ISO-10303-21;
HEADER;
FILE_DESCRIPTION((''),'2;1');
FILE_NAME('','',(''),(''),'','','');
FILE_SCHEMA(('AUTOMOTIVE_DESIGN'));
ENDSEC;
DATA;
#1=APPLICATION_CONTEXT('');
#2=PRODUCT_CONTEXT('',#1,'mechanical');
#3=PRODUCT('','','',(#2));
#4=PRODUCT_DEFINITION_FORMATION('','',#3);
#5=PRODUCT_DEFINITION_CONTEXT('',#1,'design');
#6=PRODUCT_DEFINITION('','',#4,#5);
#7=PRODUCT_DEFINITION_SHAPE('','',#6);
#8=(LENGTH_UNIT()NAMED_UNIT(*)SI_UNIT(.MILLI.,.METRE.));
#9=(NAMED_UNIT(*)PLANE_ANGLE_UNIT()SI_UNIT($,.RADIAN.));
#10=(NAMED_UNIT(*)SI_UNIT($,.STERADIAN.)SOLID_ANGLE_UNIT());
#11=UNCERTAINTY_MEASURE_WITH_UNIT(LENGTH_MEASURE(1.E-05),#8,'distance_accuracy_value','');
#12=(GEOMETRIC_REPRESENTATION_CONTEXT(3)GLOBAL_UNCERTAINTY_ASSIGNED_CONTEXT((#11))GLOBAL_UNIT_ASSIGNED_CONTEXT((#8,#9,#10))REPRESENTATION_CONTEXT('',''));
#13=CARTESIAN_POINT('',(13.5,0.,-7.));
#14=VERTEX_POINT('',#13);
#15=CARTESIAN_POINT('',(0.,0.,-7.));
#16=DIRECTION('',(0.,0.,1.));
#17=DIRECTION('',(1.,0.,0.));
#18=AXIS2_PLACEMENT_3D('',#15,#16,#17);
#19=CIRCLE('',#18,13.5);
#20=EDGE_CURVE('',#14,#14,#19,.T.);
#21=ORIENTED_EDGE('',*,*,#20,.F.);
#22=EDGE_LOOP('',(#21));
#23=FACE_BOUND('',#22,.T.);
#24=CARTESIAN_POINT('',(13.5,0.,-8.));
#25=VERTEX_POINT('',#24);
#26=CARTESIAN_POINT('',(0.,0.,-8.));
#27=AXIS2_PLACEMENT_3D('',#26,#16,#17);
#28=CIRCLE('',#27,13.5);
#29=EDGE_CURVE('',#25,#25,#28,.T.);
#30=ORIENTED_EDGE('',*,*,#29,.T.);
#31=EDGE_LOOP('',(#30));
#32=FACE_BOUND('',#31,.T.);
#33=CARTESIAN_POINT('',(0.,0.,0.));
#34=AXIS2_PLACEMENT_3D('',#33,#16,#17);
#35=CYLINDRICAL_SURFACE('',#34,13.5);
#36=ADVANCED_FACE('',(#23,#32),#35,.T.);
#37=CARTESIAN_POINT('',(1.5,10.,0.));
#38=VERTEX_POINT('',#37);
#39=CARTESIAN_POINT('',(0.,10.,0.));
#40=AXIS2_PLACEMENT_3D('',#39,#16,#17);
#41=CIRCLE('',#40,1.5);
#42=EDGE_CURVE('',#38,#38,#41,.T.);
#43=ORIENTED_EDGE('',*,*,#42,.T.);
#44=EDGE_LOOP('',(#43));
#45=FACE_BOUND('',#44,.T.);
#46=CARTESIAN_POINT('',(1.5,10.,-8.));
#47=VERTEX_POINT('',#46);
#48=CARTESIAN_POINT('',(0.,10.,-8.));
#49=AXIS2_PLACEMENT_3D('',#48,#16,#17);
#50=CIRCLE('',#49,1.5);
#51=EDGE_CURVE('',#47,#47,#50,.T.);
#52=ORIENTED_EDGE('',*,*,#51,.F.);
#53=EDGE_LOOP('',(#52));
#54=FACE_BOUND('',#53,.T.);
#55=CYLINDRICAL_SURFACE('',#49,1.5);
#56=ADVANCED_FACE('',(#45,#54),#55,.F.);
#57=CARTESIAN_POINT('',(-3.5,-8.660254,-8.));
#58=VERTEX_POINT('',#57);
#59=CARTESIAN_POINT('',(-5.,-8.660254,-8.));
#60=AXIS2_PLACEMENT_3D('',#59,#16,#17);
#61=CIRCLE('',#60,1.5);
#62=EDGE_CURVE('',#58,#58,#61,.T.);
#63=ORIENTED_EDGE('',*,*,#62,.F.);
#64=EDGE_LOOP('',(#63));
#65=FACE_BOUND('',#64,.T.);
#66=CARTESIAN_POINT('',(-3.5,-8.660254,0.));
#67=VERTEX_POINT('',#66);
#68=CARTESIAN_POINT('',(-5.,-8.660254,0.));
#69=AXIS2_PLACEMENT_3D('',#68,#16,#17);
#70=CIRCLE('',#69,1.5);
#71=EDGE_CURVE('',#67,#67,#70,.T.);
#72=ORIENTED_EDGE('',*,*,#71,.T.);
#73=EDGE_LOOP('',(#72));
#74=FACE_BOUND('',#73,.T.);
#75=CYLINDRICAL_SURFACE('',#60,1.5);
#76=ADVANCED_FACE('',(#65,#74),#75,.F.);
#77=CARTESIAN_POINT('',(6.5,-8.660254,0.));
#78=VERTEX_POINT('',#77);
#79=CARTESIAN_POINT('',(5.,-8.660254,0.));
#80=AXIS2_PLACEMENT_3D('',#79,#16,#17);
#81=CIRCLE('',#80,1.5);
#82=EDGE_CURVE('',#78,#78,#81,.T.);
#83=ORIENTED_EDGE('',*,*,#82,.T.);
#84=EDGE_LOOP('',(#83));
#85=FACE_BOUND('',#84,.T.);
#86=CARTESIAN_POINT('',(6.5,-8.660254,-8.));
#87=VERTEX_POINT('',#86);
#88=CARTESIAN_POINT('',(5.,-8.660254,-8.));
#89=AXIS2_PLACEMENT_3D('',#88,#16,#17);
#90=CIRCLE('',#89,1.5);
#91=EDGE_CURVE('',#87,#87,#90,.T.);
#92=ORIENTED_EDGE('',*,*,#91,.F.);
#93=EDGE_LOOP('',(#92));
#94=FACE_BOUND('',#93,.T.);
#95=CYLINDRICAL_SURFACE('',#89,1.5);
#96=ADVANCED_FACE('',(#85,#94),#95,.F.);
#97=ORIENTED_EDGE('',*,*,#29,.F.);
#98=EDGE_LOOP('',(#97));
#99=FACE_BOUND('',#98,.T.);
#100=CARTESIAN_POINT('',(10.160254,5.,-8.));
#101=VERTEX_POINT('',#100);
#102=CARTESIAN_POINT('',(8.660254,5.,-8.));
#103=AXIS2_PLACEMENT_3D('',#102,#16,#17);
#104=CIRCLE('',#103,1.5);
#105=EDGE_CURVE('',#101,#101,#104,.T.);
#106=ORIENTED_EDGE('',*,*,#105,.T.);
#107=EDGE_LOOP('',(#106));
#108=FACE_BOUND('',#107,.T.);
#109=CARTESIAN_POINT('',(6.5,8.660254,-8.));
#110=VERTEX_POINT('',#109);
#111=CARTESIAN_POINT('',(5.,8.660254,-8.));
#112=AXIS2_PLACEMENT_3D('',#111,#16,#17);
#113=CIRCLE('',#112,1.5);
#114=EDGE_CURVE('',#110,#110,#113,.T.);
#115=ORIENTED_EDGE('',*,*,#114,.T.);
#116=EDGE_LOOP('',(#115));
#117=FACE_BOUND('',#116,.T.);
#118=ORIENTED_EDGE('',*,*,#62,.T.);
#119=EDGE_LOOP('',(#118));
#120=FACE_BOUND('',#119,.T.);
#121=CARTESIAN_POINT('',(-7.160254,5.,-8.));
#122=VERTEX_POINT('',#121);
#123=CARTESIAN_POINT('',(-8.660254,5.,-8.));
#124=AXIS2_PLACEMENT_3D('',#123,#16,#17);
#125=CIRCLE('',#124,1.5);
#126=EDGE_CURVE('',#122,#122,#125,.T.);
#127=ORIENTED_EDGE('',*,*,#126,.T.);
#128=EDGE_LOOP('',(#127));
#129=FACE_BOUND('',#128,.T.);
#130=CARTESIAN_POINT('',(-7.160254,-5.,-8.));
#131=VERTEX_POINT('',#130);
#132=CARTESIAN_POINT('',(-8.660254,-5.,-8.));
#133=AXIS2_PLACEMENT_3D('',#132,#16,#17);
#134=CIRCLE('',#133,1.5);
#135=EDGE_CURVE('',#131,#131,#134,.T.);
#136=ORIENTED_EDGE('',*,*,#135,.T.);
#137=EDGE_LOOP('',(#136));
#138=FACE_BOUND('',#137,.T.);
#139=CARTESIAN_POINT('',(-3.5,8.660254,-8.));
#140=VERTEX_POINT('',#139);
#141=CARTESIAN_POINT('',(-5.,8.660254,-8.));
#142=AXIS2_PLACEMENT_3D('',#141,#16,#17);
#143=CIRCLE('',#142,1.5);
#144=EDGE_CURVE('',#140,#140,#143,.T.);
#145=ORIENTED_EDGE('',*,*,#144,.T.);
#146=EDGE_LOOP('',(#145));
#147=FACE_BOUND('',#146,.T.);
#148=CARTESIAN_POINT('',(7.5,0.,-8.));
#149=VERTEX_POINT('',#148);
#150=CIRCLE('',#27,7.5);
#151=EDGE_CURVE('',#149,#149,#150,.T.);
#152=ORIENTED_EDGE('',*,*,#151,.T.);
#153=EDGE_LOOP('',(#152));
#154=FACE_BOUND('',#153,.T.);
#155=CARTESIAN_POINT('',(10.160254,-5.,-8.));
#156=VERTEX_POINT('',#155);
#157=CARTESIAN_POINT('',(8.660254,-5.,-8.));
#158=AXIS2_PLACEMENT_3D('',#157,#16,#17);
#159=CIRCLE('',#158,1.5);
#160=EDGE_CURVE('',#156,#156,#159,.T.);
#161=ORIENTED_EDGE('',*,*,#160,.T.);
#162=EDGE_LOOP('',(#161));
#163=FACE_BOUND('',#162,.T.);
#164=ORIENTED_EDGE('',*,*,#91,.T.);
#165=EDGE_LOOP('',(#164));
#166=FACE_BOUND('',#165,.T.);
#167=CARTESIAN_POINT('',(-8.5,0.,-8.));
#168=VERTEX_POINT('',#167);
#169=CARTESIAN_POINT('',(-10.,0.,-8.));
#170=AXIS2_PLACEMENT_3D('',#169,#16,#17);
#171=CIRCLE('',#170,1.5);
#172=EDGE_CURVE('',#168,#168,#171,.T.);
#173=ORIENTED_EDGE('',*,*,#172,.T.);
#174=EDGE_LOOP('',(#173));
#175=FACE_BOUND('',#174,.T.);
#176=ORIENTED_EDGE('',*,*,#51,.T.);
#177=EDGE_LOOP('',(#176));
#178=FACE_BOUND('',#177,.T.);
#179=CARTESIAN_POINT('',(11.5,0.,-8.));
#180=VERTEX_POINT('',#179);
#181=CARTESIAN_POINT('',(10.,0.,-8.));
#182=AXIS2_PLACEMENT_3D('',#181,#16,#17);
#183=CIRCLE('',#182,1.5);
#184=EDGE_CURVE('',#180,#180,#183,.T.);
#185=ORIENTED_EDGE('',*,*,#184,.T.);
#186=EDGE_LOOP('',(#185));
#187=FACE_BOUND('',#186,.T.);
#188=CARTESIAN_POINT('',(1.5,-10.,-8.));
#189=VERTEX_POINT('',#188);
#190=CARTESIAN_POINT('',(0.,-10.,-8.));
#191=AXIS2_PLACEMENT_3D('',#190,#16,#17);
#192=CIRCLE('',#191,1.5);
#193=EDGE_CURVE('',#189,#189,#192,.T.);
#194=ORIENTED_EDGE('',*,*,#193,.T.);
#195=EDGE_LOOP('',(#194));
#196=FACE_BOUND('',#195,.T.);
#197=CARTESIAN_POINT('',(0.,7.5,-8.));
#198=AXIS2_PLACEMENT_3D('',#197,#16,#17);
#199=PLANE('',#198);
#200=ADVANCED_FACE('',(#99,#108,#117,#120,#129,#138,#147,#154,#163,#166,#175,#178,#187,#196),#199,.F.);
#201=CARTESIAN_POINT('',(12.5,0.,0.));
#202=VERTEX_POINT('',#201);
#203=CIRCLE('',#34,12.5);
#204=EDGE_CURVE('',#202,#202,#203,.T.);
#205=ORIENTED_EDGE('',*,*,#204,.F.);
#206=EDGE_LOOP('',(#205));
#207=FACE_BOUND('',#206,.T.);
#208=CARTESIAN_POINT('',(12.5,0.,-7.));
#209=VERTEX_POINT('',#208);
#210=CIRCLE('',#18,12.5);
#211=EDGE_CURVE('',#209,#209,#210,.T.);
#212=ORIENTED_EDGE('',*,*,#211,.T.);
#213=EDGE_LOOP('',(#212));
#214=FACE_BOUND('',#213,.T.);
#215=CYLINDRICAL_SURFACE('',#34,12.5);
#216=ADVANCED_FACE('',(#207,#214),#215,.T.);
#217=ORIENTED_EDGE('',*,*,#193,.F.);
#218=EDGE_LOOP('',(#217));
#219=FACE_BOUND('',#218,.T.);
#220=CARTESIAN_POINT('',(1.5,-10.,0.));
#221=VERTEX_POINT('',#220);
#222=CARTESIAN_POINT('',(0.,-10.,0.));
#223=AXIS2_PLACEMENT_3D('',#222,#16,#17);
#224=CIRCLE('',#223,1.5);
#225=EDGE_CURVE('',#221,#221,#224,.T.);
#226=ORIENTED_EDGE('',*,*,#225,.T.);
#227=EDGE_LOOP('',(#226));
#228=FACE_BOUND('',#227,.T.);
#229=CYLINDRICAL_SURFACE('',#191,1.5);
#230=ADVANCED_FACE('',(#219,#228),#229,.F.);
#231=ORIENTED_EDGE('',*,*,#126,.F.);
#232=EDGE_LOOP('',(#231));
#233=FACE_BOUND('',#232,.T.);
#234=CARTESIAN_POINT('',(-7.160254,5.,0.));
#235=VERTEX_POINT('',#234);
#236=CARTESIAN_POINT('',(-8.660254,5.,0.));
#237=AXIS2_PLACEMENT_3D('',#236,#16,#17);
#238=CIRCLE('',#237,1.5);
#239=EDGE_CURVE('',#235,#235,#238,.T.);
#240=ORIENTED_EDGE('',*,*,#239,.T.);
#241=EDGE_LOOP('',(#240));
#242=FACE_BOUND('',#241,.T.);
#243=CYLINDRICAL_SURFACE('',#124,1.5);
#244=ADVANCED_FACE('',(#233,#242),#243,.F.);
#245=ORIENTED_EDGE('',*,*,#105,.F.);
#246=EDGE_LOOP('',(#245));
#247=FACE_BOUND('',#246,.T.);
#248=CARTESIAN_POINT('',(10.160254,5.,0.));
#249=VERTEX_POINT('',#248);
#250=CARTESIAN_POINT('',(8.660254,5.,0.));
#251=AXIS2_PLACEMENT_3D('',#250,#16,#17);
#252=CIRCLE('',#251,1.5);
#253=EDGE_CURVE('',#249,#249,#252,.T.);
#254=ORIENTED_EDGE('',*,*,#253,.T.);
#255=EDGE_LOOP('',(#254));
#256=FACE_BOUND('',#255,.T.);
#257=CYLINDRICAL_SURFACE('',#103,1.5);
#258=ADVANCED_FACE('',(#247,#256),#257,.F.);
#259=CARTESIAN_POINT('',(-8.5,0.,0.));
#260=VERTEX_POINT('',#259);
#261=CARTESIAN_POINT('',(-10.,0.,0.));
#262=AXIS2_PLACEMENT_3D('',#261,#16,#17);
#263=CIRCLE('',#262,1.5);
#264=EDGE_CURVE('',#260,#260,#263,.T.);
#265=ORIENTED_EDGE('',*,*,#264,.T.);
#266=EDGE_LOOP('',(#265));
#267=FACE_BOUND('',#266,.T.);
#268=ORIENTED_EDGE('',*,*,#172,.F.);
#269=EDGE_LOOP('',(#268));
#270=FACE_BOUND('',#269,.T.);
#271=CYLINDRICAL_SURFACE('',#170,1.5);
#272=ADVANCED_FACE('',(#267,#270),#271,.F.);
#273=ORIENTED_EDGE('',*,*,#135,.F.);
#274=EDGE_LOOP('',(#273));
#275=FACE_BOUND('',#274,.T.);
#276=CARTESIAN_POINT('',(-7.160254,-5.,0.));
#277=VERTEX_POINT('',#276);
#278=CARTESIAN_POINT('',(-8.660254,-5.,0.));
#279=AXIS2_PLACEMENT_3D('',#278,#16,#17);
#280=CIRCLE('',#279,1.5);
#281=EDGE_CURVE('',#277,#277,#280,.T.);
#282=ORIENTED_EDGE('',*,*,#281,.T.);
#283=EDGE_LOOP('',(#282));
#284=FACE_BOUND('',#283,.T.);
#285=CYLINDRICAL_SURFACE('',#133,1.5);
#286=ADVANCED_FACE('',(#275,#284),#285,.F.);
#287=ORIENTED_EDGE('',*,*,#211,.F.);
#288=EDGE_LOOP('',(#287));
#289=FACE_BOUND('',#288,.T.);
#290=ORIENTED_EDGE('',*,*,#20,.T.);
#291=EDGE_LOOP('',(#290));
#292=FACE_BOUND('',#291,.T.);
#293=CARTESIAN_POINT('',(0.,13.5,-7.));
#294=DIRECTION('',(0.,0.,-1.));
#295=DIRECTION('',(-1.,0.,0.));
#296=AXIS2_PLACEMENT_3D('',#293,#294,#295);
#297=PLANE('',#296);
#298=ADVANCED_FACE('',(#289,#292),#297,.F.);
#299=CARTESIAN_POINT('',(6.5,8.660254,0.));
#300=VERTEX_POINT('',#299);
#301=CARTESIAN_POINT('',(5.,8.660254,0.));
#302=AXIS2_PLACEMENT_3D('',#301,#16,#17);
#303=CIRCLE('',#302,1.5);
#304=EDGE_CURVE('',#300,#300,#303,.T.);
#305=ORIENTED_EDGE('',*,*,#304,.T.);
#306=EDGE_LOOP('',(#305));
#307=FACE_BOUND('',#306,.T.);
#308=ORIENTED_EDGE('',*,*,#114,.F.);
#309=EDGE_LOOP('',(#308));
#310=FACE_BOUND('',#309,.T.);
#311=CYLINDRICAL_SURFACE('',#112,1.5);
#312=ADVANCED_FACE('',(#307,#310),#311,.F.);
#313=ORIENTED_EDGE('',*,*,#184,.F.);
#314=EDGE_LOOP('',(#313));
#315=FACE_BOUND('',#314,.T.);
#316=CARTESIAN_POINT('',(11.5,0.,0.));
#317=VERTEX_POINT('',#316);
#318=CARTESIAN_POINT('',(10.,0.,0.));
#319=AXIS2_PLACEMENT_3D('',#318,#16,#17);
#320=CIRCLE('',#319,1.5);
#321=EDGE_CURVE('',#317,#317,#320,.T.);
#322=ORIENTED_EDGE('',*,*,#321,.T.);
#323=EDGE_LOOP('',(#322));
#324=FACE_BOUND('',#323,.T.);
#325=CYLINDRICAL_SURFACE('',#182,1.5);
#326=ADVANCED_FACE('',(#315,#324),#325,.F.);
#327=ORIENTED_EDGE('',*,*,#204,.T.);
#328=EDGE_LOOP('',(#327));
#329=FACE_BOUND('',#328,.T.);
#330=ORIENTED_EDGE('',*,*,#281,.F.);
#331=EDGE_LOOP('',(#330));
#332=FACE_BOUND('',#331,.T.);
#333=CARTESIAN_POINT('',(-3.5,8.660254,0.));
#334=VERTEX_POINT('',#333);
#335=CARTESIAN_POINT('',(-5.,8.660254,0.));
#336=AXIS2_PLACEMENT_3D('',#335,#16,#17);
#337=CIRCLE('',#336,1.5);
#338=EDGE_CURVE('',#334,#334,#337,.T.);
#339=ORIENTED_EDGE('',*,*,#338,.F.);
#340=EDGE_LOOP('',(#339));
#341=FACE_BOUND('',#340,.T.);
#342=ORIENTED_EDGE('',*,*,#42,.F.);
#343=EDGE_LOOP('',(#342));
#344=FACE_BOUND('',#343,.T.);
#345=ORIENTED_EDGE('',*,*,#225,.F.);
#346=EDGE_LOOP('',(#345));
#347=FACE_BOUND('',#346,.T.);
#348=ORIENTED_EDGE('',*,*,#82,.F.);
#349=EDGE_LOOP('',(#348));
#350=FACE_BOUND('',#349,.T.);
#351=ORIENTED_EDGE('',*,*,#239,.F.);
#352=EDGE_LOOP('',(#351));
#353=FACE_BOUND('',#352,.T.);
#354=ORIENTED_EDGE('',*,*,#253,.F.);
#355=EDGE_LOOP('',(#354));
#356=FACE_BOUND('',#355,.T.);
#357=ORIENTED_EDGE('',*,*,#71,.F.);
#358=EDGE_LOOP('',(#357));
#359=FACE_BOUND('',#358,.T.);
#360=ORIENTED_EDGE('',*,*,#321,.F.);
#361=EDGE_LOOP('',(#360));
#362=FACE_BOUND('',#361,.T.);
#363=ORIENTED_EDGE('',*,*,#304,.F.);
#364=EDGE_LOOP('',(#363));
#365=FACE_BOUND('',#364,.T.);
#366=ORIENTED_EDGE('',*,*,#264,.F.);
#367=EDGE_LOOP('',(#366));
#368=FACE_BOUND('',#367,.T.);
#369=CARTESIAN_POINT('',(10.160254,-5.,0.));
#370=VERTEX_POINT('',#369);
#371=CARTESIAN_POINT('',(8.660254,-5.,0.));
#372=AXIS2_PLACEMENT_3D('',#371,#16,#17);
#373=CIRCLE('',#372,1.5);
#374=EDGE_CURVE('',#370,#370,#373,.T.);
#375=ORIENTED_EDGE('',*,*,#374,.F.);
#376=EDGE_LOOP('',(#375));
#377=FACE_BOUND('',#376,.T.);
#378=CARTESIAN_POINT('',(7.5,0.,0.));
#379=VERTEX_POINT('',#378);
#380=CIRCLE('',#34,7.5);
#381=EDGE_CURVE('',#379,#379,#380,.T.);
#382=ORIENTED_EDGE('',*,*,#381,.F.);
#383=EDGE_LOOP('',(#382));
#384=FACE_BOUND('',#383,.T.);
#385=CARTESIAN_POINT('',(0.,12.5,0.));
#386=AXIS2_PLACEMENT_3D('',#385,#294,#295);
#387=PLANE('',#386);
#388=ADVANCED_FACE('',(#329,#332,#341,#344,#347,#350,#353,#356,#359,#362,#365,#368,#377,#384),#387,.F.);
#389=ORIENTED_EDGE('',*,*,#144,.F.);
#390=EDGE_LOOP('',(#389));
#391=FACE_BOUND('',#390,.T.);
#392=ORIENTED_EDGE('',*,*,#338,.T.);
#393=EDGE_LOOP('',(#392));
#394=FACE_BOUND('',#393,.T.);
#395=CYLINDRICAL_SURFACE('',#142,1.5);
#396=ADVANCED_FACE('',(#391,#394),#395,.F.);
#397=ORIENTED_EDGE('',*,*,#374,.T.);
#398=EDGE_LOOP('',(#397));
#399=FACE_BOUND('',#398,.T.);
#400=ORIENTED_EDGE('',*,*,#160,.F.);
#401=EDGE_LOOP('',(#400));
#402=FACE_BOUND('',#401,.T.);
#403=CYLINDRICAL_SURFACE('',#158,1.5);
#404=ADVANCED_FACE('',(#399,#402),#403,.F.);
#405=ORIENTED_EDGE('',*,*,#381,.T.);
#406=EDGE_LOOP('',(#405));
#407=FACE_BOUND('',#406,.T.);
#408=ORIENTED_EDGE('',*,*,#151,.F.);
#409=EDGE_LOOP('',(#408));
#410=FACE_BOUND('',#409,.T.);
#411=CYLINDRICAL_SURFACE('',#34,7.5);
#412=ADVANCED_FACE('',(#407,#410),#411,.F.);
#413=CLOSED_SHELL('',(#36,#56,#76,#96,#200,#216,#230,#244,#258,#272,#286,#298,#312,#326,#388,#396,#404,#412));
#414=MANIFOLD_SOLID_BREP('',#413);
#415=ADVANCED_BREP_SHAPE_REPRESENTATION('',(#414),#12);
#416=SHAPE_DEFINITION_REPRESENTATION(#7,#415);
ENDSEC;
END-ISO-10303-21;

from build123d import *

# Parameters (mm, degrees)
SKETCH_2_R          = 1.5
CUT_EXTRUDE_1_DEPTH = 21.700241544


with BuildPart() as part:
    # ｽｹｯﾁ1 → 回転1 (revolve)
    with BuildSketch(Plane(origin=(0, 0, 0), x_dir=(0, 0, -1), z_dir=(1, 0, 0)), mode=Mode.PRIVATE) as revolve_1_sk:
        Polygon((0, 7.5), (8, 7.5), (8, 13.5), (7, 13.5), (7, 12.5), (0, 12.5), align=None)
    revolve(revolve_1_sk.sketch.rotate(Axis((0, 0, 0), (0, 0, -1)), 90), axis=Axis((0, 0, 0), (0, 0, -1)))

    # ｽｹｯﾁ2 → ｶｯﾄ - 押し出し1 (cut, through all)
    with BuildSketch(Plane.XY):
        with Locations((0, 10)):
            Circle(SKETCH_2_R)
        with Locations((5, 8.660254038)):
            Circle(SKETCH_2_R)
        with Locations((8.660254038, 5)):
            Circle(SKETCH_2_R)
        with Locations((10, 0)):
            Circle(SKETCH_2_R)
        with Locations((8.660254038, -5)):
            Circle(SKETCH_2_R)
        with Locations((5, -8.660254038)):
            Circle(SKETCH_2_R)
        with Locations((0, -10)):
            Circle(SKETCH_2_R)
        with Locations((-5, -8.660254038)):
            Circle(SKETCH_2_R)
        with Locations((-8.660254038, -5)):
            Circle(SKETCH_2_R)
        with Locations((-10, 0)):
            Circle(SKETCH_2_R)
        with Locations((-8.660254038, 5)):
            Circle(SKETCH_2_R)
        with Locations((-5, 8.660254038)):
            Circle(SKETCH_2_R)
    extrude(amount=-CUT_EXTRUDE_1_DEPTH, mode=Mode.SUBTRACT)


solid = part.part
